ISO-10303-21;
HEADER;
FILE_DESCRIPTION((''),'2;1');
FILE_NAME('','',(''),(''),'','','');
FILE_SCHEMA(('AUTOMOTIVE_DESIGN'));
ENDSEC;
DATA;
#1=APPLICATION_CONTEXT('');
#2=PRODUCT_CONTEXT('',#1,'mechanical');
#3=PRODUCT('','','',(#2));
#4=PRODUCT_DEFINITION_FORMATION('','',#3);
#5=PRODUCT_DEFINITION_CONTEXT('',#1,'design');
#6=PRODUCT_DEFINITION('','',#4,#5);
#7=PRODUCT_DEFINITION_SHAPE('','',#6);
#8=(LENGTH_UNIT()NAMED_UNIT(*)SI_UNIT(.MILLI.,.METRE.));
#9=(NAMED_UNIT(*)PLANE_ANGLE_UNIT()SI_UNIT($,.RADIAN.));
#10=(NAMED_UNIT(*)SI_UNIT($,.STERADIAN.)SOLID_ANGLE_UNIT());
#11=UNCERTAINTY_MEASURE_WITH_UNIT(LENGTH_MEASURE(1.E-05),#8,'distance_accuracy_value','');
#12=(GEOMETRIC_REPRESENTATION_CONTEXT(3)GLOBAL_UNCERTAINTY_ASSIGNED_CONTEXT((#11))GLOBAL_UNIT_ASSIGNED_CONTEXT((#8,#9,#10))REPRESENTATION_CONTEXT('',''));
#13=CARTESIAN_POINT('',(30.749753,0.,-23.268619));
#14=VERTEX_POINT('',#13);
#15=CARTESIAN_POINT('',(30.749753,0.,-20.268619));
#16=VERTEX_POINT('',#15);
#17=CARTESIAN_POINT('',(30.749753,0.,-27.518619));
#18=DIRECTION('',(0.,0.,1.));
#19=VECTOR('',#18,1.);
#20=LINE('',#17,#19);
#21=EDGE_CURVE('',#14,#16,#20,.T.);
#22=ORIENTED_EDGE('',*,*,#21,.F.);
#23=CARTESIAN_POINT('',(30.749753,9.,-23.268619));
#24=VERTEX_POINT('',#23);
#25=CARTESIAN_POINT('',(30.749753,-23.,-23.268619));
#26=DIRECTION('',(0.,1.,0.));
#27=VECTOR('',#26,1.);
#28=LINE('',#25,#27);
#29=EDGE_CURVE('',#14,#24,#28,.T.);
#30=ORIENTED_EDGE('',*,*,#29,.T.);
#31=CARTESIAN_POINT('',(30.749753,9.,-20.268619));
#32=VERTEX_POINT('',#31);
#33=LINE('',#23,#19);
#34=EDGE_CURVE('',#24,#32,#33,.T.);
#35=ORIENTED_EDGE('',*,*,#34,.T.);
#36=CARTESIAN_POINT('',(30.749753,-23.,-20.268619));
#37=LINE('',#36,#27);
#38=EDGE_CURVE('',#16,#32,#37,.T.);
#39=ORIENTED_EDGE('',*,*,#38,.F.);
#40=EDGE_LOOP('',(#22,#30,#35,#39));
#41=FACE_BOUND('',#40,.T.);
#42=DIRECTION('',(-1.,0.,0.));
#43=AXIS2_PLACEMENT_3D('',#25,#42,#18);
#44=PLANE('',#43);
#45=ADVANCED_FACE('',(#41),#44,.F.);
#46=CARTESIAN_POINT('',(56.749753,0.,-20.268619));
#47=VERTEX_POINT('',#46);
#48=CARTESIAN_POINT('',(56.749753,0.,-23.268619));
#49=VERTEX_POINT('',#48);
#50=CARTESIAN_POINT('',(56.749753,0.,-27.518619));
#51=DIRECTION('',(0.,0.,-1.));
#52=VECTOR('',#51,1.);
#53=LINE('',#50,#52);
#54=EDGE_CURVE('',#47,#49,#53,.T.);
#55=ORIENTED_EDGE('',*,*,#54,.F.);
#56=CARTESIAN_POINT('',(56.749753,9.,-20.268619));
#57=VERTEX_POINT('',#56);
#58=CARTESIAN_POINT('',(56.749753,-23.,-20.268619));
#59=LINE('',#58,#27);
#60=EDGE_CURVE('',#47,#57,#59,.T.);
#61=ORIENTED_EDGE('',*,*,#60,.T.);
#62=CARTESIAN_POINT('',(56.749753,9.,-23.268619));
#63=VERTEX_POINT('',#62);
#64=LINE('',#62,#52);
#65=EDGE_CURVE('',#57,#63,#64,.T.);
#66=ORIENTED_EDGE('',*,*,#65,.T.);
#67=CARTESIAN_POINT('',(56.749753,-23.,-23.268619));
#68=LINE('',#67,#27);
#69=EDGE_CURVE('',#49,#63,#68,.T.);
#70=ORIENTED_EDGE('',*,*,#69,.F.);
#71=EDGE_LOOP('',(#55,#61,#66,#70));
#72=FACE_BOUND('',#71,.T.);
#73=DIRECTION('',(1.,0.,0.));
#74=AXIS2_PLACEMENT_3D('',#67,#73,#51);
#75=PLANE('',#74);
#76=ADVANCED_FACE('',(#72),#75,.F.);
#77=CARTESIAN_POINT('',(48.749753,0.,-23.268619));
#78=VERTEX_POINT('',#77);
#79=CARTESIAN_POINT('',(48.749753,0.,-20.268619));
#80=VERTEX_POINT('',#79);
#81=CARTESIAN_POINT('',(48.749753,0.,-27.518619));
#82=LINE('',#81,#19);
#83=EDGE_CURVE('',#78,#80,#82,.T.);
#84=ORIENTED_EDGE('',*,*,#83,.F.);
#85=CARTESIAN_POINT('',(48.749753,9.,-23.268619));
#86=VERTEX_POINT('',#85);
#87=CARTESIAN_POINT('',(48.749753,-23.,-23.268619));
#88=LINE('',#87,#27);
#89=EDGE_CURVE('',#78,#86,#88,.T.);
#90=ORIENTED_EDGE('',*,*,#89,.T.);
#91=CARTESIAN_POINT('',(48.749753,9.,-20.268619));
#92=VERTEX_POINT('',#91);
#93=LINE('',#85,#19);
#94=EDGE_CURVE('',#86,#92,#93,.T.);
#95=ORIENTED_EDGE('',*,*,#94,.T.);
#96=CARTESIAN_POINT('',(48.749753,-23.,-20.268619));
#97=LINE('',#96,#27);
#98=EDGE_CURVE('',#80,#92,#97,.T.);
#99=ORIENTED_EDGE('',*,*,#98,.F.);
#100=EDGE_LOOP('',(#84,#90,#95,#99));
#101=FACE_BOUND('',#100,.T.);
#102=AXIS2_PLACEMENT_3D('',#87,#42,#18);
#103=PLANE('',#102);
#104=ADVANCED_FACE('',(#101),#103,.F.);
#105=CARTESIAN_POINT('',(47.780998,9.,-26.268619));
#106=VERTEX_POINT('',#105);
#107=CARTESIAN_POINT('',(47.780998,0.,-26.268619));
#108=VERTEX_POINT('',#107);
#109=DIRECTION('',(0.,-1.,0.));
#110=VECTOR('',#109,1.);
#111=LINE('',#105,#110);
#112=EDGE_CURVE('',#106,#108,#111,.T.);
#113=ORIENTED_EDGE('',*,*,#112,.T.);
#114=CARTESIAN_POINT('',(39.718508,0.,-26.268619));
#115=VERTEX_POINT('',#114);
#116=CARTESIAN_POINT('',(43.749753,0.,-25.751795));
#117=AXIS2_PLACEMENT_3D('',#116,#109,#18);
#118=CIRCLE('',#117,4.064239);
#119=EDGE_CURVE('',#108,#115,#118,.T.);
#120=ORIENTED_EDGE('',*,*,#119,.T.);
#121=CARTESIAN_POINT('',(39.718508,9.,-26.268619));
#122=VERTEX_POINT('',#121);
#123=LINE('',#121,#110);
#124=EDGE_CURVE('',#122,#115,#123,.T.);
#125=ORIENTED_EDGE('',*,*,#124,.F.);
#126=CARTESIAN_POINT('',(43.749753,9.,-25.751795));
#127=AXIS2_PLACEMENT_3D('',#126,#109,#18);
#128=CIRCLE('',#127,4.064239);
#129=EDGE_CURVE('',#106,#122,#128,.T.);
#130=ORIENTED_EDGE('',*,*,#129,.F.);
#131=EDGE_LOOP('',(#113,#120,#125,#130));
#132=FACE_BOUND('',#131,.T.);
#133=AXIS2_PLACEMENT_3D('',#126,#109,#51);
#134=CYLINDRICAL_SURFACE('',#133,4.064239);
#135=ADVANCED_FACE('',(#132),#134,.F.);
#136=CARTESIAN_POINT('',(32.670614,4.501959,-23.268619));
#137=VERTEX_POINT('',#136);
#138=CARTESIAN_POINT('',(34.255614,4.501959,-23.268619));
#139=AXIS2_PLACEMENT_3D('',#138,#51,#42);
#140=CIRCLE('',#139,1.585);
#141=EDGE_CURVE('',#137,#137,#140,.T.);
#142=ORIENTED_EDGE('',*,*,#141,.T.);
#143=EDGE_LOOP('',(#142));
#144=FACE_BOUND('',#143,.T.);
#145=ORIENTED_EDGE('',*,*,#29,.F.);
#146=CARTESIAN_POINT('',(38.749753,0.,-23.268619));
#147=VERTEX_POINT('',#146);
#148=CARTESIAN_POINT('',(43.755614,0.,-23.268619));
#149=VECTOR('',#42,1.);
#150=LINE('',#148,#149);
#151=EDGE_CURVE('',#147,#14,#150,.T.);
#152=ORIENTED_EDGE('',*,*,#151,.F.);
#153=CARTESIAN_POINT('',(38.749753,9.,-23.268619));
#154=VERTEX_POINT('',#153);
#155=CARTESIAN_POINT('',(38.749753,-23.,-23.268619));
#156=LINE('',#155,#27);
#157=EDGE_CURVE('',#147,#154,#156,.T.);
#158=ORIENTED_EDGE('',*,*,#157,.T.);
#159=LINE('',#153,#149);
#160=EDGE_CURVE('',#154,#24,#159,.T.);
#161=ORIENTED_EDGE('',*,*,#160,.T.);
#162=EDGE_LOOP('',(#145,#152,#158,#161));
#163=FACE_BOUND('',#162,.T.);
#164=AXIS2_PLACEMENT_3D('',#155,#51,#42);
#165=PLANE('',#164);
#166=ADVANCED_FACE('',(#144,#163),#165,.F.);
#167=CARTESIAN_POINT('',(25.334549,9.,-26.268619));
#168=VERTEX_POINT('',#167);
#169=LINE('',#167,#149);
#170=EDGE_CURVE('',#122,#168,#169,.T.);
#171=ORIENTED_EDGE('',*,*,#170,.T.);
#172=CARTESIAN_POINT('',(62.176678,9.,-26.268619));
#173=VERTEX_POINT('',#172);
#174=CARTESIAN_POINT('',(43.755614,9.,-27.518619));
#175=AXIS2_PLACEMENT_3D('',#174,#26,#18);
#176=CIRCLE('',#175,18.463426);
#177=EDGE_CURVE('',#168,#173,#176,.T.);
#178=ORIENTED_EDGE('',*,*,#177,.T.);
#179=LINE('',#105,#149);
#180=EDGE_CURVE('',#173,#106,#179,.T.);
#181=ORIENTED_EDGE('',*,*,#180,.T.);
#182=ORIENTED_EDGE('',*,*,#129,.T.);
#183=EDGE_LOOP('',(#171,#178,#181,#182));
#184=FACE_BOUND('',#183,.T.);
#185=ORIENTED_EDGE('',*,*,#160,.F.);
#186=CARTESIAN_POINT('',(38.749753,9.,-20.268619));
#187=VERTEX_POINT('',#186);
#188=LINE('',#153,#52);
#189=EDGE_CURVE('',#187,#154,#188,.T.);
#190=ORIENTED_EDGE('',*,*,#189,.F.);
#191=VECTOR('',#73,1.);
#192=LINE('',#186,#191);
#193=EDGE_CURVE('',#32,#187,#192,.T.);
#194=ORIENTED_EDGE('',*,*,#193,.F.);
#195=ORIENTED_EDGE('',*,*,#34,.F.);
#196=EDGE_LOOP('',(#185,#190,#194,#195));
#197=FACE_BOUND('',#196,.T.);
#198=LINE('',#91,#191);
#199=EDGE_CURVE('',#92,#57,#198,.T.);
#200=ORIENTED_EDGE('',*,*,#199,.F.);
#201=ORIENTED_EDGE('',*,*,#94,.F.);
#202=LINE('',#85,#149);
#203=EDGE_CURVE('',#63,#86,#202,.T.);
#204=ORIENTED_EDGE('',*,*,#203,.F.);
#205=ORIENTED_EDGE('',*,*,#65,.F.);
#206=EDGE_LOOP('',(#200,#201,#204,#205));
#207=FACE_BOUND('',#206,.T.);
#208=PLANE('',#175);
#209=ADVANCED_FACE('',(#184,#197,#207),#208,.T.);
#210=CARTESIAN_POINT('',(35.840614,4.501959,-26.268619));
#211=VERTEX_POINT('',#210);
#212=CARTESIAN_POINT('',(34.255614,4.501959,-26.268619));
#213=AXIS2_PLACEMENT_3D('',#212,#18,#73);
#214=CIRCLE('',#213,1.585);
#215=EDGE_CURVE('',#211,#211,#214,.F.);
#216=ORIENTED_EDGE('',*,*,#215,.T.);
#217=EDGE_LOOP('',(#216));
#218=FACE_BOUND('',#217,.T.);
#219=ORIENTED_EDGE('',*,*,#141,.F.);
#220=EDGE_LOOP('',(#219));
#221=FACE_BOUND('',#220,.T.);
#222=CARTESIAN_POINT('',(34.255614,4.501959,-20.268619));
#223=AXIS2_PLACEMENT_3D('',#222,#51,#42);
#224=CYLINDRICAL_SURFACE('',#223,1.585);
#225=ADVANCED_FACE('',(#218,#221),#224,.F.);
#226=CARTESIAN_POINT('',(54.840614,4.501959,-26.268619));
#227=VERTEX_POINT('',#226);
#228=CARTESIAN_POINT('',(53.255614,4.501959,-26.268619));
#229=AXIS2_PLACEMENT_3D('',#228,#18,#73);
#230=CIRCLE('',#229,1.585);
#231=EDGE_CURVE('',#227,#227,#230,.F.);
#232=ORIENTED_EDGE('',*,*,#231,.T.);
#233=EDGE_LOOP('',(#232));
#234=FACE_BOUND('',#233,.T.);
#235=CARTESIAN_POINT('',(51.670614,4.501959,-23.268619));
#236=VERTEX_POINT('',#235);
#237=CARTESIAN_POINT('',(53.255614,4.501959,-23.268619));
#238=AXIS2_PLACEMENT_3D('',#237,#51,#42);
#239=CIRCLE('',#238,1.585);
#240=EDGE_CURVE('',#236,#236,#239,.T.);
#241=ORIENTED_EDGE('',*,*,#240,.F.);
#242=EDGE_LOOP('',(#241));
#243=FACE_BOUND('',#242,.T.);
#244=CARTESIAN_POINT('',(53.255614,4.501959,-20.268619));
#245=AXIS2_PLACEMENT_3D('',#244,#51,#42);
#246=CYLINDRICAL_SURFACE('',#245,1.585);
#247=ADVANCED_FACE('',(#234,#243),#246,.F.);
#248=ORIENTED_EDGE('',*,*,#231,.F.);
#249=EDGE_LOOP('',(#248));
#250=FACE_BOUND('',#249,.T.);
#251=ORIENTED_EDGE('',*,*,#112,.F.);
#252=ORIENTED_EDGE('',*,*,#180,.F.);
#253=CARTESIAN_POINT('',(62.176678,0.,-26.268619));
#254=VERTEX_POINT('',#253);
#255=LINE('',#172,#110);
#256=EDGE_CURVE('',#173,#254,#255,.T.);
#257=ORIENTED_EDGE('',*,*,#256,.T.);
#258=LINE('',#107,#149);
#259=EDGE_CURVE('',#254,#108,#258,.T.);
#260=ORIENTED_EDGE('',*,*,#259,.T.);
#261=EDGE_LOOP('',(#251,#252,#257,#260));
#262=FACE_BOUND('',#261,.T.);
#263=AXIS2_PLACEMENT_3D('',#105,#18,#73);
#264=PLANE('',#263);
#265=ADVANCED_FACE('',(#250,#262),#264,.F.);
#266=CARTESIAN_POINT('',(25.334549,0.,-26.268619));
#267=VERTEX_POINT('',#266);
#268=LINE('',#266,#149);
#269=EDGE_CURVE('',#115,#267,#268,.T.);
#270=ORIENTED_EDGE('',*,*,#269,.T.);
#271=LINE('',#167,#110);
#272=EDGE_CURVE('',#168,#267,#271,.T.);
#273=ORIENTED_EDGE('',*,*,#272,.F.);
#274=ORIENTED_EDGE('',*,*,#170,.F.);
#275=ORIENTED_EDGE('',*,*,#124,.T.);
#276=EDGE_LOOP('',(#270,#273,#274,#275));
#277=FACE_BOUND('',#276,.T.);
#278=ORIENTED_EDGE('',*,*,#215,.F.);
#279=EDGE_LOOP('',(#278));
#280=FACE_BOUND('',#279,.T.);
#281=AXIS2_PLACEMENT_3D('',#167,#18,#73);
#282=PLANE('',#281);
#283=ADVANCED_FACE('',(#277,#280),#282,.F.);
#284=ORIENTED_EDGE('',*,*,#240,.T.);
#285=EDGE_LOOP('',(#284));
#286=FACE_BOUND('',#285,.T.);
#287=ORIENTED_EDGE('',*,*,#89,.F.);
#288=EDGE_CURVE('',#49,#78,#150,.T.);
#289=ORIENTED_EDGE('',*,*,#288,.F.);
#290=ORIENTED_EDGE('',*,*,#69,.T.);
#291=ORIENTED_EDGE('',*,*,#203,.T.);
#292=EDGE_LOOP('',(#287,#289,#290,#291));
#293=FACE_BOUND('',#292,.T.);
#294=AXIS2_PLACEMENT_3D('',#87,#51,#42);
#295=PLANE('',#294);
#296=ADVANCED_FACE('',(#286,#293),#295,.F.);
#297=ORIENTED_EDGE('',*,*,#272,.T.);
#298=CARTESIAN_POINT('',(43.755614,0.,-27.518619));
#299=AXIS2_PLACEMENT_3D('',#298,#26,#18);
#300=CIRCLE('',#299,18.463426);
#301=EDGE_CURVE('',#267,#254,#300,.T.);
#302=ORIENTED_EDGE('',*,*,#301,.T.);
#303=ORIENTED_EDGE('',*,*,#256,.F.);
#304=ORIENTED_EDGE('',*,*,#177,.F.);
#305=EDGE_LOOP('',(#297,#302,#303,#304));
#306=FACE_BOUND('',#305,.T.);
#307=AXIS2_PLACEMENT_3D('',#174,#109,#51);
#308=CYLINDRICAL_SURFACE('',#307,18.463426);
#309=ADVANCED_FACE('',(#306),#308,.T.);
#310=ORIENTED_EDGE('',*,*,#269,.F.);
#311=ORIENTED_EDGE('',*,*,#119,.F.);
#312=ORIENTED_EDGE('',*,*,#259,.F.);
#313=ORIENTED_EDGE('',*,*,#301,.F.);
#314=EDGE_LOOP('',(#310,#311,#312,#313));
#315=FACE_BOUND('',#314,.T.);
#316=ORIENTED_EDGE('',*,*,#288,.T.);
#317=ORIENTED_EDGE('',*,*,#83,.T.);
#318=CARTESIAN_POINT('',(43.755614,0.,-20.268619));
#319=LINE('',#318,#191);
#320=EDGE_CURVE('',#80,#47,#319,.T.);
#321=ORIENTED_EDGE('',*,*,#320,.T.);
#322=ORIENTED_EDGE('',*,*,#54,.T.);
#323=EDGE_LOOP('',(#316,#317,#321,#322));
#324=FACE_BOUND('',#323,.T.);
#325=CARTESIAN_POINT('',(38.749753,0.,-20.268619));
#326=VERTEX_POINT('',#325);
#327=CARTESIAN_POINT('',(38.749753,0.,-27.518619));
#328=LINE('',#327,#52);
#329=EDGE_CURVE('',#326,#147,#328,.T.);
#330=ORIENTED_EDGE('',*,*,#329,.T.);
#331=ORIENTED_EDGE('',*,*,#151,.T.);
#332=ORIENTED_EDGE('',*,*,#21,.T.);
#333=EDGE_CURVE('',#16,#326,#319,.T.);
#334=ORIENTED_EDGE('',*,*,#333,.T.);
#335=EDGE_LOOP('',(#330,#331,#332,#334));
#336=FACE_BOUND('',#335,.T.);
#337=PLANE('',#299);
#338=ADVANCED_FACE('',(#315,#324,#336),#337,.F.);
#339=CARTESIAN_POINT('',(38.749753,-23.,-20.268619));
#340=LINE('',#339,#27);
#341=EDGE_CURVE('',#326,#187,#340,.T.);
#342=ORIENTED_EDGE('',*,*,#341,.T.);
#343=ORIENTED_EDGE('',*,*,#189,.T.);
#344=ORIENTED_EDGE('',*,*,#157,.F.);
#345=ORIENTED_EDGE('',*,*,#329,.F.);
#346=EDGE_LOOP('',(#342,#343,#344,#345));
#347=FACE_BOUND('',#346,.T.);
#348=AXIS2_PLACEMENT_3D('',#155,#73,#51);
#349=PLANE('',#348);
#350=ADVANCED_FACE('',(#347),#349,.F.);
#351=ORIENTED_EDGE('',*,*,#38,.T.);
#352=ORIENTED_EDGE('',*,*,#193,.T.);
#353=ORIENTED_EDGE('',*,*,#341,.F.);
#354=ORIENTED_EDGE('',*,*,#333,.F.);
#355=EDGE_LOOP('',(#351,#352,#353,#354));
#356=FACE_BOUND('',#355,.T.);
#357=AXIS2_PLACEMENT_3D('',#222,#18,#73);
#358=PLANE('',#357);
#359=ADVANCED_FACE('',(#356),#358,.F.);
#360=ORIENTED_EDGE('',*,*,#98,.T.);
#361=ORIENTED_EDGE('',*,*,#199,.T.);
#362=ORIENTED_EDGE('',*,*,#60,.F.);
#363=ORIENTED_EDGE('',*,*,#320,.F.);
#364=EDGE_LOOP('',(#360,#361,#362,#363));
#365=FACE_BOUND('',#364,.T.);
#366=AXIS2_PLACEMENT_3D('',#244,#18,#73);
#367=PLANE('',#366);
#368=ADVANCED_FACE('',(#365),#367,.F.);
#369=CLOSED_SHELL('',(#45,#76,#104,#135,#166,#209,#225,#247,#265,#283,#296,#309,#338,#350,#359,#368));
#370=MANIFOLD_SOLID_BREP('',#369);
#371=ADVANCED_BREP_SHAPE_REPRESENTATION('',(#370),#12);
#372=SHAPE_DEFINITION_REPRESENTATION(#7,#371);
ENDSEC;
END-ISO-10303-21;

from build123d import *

# Parameters (mm, degrees)
BOSS_EXTRUDE1_DEPTH = 9
SKETCH2_R           = 1.585
CUT_EXTRUDE1_DEPTH  = 32
SKETCH3_W           = 8
SKETCH3_H           = 3
CUT_EXTRUDE4_DEPTH  = 32


with BuildPart() as part:
    # Sketch1 → Boss-Extrude1 (new body)
    with BuildSketch(Plane(origin=(0, 0, 0), x_dir=(1, 0, 0), z_dir=(0, 1, 0))):
        with BuildLine():
            Line((25.334549447, 26.26861883), (39.718507893, 26.26861883))
            ThreePointArc((39.718507893, 26.26861883), (43.74975272, 21.687555144), (47.780997547, 26.26861883))
            Line((47.780997547, 26.26861883), (62.176678451, 26.26861883))
            ThreePointArc((62.176678451, 26.26861883), (43.755613949, 9.05519235), (25.334549447, 26.26861883))
        make_face()
    extrude(amount=BOSS_EXTRUDE1_DEPTH)

    # Sketch2 → Cut-Extrude1 (cut)
    with BuildSketch(Plane(origin=(43.755613949, 0.001959277, -52.26861883), x_dir=(1, 0, 0), z_dir=(0, 0, 1))):
        with Locations((9.500000009, 4.5)):
            Circle(SKETCH2_R)
        with Locations((-9.499999996, 4.5)):
            Circle(SKETCH2_R)
    extrude(amount=CUT_EXTRUDE1_DEPTH, mode=Mode.SUBTRACT)

    # Sketch3 → Cut-Extrude4 (cut)
    with BuildSketch(Plane(origin=(0, 9, 0), x_dir=(1, 0, 0), z_dir=(0, 1, 0))):
        with Locations((52.74975272, 21.76861883)):
            Rectangle(SKETCH3_W, SKETCH3_H)
        with Locations((34.74975272, 21.76861883)):
            Rectangle(SKETCH3_W, SKETCH3_H)
    extrude(amount=-CUT_EXTRUDE4_DEPTH, mode=Mode.SUBTRACT)


solid = part.part
